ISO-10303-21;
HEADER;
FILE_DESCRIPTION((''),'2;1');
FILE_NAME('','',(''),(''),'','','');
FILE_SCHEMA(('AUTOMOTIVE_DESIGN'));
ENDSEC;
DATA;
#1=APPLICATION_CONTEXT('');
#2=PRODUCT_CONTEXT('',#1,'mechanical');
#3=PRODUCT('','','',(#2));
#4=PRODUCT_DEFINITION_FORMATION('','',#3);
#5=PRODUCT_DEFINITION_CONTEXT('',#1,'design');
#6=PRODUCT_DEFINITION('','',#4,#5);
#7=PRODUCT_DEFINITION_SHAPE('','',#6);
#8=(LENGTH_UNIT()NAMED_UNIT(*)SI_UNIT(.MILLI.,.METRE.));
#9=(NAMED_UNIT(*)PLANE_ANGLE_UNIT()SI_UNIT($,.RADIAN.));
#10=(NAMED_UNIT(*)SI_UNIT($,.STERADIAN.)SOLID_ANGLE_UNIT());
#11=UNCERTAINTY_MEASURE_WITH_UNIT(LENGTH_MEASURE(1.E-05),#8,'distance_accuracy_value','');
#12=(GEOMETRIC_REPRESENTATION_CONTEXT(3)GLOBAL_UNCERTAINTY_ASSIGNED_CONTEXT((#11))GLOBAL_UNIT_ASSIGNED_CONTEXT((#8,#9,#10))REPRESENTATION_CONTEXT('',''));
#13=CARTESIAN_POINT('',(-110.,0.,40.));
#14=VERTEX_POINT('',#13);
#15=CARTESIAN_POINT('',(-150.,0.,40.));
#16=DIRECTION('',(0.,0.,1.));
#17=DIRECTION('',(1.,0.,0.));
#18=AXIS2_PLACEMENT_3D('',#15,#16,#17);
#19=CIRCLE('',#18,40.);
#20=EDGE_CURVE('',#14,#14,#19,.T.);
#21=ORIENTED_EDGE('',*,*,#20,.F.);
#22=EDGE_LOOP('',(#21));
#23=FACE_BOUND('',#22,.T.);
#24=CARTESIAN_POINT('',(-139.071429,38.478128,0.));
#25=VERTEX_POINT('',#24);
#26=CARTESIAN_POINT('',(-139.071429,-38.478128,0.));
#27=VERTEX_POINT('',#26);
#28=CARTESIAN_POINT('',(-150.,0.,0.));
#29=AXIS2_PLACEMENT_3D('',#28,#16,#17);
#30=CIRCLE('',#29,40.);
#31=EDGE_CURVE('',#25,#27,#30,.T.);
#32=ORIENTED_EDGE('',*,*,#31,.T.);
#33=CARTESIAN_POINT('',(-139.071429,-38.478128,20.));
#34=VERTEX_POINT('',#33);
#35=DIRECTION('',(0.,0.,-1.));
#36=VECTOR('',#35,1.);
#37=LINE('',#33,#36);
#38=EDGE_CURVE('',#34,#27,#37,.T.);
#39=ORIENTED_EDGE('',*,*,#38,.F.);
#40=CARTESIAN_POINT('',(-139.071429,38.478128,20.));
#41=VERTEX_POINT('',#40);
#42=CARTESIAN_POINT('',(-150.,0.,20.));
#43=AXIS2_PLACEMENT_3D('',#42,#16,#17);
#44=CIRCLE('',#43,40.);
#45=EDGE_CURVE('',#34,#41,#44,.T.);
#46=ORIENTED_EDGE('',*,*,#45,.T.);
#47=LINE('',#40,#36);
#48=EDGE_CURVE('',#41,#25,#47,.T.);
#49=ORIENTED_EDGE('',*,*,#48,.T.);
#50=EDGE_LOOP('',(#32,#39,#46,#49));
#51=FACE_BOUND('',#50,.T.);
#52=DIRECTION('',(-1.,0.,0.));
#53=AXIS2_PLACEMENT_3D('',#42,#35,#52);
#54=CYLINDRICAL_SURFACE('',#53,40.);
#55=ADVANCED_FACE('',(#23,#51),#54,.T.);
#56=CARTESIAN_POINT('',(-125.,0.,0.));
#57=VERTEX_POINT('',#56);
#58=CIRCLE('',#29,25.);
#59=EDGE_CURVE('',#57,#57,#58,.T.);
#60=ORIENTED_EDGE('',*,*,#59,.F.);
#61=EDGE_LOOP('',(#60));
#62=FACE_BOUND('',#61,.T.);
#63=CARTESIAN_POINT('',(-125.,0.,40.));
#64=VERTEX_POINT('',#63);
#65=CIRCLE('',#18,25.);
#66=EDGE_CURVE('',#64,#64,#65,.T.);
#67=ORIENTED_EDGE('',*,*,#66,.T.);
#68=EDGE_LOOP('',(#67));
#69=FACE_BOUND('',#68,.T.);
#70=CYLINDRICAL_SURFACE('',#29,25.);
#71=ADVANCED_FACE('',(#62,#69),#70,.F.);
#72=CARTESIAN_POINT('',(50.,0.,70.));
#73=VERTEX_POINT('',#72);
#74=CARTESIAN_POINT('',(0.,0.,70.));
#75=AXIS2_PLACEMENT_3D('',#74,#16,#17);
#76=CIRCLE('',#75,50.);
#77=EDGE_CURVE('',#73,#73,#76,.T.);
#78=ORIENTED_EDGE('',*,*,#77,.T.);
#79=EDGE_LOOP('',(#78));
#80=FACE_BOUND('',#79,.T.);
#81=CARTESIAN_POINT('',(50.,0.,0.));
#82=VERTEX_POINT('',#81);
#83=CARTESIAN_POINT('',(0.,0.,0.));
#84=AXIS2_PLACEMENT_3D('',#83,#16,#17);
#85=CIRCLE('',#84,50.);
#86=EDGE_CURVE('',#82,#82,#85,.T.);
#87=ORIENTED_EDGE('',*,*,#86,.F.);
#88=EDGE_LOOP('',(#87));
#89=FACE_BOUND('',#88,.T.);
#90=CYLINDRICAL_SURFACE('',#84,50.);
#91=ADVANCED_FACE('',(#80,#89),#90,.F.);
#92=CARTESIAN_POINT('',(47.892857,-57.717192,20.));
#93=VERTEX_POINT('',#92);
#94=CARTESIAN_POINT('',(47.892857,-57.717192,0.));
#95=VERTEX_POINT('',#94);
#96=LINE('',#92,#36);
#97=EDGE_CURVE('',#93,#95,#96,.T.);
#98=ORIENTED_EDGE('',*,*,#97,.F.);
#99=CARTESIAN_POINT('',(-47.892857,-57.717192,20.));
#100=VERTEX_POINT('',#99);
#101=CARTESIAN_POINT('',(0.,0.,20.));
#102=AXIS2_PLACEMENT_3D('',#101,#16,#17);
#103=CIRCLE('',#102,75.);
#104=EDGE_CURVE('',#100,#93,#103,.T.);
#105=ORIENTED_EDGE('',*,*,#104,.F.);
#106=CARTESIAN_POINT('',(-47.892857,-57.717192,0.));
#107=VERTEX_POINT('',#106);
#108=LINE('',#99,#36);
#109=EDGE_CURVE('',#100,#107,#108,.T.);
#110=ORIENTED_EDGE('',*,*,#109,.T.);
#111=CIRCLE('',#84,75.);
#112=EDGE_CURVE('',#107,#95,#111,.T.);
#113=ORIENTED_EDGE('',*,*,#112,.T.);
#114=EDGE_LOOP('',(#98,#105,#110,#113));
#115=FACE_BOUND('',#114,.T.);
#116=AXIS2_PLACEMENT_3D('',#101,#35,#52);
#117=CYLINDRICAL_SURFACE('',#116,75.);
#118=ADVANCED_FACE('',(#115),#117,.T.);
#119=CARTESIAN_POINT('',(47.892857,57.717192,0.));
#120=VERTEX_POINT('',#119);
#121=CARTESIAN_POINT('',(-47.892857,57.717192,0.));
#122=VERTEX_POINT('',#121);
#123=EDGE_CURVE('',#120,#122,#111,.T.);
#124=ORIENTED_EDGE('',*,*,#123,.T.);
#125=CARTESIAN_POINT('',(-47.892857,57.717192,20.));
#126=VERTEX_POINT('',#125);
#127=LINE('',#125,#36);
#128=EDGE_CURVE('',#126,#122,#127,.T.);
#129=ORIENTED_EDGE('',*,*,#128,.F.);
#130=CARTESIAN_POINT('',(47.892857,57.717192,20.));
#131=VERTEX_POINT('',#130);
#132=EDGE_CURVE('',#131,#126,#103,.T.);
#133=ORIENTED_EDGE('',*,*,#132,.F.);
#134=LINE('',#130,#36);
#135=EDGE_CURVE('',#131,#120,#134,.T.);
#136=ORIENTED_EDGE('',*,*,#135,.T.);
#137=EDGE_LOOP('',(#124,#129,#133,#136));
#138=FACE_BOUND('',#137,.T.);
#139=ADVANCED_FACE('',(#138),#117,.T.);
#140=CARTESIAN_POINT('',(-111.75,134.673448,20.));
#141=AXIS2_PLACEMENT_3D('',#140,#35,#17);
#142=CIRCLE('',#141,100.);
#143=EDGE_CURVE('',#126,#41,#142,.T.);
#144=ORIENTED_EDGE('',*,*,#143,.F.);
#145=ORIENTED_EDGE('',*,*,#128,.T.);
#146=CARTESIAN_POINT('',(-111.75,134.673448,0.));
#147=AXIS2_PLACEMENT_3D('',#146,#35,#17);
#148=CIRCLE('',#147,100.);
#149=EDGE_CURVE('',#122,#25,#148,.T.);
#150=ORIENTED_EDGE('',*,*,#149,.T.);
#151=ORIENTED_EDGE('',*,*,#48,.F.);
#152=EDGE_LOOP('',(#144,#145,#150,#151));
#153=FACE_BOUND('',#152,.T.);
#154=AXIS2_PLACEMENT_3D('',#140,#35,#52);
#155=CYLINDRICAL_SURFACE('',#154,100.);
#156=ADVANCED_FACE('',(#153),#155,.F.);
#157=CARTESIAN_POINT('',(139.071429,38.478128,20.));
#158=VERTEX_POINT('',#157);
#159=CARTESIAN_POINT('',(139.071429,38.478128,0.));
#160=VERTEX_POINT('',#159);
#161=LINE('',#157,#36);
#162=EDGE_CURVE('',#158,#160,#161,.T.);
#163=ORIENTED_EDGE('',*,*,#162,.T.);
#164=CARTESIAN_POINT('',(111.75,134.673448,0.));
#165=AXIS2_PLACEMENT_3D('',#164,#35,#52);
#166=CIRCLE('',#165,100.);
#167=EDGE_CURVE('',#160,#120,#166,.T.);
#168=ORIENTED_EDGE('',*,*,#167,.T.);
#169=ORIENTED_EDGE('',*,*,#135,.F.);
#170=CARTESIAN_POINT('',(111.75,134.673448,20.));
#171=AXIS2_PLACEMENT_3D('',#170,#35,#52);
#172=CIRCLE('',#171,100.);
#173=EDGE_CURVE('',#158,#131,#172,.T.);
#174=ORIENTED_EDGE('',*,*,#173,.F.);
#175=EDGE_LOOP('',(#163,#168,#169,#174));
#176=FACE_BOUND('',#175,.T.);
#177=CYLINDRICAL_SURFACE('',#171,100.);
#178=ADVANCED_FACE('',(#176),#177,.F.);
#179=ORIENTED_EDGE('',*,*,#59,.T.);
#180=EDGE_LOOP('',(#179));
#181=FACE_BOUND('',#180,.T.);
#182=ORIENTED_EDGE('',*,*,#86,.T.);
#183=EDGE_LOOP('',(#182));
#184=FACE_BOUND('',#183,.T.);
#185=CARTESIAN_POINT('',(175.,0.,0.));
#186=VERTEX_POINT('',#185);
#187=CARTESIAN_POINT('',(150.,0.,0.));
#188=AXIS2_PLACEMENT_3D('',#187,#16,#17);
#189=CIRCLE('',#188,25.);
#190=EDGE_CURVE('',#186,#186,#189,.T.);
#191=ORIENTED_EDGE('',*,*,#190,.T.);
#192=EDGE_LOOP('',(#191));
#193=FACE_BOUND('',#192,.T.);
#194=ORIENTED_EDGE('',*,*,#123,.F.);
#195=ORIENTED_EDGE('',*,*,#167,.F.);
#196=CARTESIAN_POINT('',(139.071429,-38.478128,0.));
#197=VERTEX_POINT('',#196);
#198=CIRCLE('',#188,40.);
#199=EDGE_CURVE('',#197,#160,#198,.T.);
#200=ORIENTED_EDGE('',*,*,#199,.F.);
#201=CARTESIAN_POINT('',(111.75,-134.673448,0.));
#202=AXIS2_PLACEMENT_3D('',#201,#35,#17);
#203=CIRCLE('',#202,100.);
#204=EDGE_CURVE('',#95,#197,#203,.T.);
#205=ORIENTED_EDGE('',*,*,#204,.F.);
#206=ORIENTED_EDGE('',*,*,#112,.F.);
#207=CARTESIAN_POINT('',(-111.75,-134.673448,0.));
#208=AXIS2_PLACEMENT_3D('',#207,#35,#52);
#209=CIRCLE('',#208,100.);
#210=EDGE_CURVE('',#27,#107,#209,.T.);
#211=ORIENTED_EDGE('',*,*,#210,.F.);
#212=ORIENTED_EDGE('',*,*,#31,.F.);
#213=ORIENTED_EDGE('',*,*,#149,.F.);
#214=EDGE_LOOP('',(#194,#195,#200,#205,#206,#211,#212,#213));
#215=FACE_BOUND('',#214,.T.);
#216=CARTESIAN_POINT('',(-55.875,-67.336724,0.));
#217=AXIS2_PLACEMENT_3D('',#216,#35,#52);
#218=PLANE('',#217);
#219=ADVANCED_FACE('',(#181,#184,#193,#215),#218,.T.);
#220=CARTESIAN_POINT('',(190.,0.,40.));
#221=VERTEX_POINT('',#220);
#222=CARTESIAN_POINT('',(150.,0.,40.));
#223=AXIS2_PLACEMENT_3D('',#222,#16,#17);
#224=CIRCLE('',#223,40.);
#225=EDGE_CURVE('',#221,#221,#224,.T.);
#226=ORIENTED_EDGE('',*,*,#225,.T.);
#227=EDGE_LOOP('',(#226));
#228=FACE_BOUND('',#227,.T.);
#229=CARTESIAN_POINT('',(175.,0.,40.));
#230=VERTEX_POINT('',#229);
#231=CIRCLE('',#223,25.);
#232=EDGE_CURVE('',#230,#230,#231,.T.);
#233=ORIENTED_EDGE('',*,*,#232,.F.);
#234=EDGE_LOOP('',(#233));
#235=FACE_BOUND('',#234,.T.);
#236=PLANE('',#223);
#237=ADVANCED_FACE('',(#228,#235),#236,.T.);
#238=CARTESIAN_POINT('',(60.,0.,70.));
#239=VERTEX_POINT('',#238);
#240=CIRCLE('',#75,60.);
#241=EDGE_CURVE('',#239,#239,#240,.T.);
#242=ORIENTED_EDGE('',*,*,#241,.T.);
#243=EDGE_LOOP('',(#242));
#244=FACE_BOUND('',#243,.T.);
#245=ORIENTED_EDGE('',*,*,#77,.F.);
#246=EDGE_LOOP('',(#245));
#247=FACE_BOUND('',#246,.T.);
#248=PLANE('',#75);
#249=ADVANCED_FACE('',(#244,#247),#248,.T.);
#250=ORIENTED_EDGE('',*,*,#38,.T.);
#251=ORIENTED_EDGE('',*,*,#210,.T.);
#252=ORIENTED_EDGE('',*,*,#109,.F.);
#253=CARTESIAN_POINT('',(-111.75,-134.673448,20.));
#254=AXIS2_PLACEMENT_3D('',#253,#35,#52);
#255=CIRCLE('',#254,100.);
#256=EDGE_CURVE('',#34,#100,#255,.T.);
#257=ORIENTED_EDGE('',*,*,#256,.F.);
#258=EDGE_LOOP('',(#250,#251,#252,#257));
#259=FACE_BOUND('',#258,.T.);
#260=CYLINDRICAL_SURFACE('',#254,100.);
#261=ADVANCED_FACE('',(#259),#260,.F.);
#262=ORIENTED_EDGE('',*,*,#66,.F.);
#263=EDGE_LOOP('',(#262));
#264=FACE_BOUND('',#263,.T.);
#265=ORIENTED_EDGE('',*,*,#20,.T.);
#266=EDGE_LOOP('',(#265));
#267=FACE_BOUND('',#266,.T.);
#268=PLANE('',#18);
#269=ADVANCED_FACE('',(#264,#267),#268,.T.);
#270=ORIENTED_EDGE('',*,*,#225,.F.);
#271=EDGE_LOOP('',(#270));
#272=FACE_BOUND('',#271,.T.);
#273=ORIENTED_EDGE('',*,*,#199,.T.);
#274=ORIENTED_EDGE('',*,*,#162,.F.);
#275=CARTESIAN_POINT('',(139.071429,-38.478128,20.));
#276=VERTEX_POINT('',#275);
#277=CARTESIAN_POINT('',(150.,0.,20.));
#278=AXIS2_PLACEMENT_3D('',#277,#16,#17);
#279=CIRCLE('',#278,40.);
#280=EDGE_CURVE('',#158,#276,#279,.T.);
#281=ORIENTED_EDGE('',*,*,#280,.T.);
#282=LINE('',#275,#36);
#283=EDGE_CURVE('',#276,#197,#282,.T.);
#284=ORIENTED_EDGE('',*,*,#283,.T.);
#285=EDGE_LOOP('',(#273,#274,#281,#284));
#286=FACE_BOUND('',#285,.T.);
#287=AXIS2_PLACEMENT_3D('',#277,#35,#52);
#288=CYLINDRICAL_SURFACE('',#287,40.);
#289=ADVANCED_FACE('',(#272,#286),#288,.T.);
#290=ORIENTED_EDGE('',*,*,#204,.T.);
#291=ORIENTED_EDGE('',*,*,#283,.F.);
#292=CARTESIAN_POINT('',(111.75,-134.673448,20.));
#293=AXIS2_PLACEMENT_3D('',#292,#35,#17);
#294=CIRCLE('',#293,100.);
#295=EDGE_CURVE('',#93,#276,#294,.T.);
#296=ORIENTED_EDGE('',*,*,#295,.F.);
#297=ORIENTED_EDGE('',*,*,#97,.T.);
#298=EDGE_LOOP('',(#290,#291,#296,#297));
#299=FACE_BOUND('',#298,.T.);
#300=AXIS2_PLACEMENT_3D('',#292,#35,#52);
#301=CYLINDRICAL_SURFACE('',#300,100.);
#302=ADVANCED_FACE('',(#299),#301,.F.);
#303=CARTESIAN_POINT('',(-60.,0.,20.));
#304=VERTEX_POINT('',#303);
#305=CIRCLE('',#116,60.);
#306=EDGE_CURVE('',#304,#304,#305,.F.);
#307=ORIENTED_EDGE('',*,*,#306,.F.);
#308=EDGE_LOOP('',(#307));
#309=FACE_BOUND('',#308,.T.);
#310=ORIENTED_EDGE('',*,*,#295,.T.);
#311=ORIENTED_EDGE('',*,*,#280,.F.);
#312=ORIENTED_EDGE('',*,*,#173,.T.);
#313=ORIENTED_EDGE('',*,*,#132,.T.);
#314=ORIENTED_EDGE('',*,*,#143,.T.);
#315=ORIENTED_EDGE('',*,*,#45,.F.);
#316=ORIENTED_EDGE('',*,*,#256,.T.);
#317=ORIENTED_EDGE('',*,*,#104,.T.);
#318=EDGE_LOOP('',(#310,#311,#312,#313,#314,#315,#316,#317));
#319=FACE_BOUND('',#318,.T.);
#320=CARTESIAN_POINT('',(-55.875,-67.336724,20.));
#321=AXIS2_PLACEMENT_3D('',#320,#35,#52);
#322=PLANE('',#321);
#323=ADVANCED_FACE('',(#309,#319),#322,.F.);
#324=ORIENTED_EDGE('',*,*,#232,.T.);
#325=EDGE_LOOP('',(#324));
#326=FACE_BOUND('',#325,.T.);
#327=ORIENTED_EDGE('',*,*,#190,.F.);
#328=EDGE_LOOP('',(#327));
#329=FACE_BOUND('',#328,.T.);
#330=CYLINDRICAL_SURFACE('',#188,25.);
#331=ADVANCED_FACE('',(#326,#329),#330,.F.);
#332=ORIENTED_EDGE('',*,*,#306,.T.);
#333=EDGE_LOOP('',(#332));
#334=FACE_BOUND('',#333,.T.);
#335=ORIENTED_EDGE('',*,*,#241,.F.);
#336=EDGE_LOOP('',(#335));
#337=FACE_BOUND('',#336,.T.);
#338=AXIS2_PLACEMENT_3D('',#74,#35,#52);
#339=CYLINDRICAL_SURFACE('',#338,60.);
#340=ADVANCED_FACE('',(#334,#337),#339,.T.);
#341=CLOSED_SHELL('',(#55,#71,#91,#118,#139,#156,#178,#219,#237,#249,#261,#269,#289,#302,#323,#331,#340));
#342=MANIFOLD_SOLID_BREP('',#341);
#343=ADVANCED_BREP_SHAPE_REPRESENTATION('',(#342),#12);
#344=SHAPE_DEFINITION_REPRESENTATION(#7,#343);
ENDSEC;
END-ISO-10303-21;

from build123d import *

# Parameters (mm, degrees)
BOSS_EXTRUDE1_DEPTH     = 20
SKETCH3_R               = 40
BOSS_EXTRUDE2_DEPTH     = 20
SKETCH4_R               = 60
BOSS_EXTRUDE3_DEPTH     = 50
CUT_EXTRUDE1_DEPTH      = 211.297408448
CUT_EXTRUDE1_DEPTH_BACK = 211.297408448
SKETCH5_R               = 50
SKETCH5_R_2             = 25


with BuildPart() as part:
    # Sketch1 → Boss-Extrude1 (new body)
    with BuildSketch(Plane.XY):
        with BuildLine():
            ThreePointArc((-47.892857143, -57.717191847), (0, -75), (47.892857143, -57.717191847))
            ThreePointArc((47.892857143, -57.717191847), (91.104177178, -36.827906099), (139.071428571, -38.478127898))
            ThreePointArc((139.071428571, -38.478127898), (190, 0), (139.071428571, 38.478127898))
            ThreePointArc((139.071428571, 38.478127898), (91.104177178, 36.827906099), (47.892857143, 57.717191847))
            ThreePointArc((47.892857143, 57.717191847), (0, 75), (-47.892857143, 57.717191847))
            ThreePointArc((-47.892857143, 57.717191847), (-91.104177178, 36.827906099), (-139.071428571, 38.478127898))
            ThreePointArc((-139.071428571, 38.478127898), (-190, 0), (-139.071428571, -38.478127898))
            ThreePointArc((-139.071428571, -38.478127898), (-91.104177178, -36.827906099), (-47.892857143, -57.717191847))
        make_face()
    extrude(amount=BOSS_EXTRUDE1_DEPTH)

    # Sketch3 → Boss-Extrude2 (add)
    with BuildSketch(Plane.XY.offset(20)):
        with Locations(Location((-150, 0, 0), (0, 0, 285.855625477))):
            Circle(SKETCH3_R)
        with Locations(Location((150, 0, 0), (0, 0, 105.855625477))):
            Circle(SKETCH3_R)
    extrude(amount=BOSS_EXTRUDE2_DEPTH)

    # Sketch4 → Boss-Extrude3 (add)
    with BuildSketch(Plane.XY.offset(20)):
        with Locations(Location((0, 0, 0), (0, 0, 180))):
            Circle(SKETCH4_R)
    extrude(amount=BOSS_EXTRUDE3_DEPTH)

    # Sketch5 → Cut-Extrude1 (cut, two sides: drawn at the far end of the back side and taken through both)
    with BuildSketch(Plane.XY.offset(20).offset(-CUT_EXTRUDE1_DEPTH_BACK)):
        Circle(SKETCH5_R)
        with Locations((-150, 0)):
            Circle(SKETCH5_R_2)
        with Locations((150, 0)):
            Circle(SKETCH5_R_2)
    extrude(amount=CUT_EXTRUDE1_DEPTH + CUT_EXTRUDE1_DEPTH_BACK, mode=Mode.SUBTRACT)


solid = part.part
